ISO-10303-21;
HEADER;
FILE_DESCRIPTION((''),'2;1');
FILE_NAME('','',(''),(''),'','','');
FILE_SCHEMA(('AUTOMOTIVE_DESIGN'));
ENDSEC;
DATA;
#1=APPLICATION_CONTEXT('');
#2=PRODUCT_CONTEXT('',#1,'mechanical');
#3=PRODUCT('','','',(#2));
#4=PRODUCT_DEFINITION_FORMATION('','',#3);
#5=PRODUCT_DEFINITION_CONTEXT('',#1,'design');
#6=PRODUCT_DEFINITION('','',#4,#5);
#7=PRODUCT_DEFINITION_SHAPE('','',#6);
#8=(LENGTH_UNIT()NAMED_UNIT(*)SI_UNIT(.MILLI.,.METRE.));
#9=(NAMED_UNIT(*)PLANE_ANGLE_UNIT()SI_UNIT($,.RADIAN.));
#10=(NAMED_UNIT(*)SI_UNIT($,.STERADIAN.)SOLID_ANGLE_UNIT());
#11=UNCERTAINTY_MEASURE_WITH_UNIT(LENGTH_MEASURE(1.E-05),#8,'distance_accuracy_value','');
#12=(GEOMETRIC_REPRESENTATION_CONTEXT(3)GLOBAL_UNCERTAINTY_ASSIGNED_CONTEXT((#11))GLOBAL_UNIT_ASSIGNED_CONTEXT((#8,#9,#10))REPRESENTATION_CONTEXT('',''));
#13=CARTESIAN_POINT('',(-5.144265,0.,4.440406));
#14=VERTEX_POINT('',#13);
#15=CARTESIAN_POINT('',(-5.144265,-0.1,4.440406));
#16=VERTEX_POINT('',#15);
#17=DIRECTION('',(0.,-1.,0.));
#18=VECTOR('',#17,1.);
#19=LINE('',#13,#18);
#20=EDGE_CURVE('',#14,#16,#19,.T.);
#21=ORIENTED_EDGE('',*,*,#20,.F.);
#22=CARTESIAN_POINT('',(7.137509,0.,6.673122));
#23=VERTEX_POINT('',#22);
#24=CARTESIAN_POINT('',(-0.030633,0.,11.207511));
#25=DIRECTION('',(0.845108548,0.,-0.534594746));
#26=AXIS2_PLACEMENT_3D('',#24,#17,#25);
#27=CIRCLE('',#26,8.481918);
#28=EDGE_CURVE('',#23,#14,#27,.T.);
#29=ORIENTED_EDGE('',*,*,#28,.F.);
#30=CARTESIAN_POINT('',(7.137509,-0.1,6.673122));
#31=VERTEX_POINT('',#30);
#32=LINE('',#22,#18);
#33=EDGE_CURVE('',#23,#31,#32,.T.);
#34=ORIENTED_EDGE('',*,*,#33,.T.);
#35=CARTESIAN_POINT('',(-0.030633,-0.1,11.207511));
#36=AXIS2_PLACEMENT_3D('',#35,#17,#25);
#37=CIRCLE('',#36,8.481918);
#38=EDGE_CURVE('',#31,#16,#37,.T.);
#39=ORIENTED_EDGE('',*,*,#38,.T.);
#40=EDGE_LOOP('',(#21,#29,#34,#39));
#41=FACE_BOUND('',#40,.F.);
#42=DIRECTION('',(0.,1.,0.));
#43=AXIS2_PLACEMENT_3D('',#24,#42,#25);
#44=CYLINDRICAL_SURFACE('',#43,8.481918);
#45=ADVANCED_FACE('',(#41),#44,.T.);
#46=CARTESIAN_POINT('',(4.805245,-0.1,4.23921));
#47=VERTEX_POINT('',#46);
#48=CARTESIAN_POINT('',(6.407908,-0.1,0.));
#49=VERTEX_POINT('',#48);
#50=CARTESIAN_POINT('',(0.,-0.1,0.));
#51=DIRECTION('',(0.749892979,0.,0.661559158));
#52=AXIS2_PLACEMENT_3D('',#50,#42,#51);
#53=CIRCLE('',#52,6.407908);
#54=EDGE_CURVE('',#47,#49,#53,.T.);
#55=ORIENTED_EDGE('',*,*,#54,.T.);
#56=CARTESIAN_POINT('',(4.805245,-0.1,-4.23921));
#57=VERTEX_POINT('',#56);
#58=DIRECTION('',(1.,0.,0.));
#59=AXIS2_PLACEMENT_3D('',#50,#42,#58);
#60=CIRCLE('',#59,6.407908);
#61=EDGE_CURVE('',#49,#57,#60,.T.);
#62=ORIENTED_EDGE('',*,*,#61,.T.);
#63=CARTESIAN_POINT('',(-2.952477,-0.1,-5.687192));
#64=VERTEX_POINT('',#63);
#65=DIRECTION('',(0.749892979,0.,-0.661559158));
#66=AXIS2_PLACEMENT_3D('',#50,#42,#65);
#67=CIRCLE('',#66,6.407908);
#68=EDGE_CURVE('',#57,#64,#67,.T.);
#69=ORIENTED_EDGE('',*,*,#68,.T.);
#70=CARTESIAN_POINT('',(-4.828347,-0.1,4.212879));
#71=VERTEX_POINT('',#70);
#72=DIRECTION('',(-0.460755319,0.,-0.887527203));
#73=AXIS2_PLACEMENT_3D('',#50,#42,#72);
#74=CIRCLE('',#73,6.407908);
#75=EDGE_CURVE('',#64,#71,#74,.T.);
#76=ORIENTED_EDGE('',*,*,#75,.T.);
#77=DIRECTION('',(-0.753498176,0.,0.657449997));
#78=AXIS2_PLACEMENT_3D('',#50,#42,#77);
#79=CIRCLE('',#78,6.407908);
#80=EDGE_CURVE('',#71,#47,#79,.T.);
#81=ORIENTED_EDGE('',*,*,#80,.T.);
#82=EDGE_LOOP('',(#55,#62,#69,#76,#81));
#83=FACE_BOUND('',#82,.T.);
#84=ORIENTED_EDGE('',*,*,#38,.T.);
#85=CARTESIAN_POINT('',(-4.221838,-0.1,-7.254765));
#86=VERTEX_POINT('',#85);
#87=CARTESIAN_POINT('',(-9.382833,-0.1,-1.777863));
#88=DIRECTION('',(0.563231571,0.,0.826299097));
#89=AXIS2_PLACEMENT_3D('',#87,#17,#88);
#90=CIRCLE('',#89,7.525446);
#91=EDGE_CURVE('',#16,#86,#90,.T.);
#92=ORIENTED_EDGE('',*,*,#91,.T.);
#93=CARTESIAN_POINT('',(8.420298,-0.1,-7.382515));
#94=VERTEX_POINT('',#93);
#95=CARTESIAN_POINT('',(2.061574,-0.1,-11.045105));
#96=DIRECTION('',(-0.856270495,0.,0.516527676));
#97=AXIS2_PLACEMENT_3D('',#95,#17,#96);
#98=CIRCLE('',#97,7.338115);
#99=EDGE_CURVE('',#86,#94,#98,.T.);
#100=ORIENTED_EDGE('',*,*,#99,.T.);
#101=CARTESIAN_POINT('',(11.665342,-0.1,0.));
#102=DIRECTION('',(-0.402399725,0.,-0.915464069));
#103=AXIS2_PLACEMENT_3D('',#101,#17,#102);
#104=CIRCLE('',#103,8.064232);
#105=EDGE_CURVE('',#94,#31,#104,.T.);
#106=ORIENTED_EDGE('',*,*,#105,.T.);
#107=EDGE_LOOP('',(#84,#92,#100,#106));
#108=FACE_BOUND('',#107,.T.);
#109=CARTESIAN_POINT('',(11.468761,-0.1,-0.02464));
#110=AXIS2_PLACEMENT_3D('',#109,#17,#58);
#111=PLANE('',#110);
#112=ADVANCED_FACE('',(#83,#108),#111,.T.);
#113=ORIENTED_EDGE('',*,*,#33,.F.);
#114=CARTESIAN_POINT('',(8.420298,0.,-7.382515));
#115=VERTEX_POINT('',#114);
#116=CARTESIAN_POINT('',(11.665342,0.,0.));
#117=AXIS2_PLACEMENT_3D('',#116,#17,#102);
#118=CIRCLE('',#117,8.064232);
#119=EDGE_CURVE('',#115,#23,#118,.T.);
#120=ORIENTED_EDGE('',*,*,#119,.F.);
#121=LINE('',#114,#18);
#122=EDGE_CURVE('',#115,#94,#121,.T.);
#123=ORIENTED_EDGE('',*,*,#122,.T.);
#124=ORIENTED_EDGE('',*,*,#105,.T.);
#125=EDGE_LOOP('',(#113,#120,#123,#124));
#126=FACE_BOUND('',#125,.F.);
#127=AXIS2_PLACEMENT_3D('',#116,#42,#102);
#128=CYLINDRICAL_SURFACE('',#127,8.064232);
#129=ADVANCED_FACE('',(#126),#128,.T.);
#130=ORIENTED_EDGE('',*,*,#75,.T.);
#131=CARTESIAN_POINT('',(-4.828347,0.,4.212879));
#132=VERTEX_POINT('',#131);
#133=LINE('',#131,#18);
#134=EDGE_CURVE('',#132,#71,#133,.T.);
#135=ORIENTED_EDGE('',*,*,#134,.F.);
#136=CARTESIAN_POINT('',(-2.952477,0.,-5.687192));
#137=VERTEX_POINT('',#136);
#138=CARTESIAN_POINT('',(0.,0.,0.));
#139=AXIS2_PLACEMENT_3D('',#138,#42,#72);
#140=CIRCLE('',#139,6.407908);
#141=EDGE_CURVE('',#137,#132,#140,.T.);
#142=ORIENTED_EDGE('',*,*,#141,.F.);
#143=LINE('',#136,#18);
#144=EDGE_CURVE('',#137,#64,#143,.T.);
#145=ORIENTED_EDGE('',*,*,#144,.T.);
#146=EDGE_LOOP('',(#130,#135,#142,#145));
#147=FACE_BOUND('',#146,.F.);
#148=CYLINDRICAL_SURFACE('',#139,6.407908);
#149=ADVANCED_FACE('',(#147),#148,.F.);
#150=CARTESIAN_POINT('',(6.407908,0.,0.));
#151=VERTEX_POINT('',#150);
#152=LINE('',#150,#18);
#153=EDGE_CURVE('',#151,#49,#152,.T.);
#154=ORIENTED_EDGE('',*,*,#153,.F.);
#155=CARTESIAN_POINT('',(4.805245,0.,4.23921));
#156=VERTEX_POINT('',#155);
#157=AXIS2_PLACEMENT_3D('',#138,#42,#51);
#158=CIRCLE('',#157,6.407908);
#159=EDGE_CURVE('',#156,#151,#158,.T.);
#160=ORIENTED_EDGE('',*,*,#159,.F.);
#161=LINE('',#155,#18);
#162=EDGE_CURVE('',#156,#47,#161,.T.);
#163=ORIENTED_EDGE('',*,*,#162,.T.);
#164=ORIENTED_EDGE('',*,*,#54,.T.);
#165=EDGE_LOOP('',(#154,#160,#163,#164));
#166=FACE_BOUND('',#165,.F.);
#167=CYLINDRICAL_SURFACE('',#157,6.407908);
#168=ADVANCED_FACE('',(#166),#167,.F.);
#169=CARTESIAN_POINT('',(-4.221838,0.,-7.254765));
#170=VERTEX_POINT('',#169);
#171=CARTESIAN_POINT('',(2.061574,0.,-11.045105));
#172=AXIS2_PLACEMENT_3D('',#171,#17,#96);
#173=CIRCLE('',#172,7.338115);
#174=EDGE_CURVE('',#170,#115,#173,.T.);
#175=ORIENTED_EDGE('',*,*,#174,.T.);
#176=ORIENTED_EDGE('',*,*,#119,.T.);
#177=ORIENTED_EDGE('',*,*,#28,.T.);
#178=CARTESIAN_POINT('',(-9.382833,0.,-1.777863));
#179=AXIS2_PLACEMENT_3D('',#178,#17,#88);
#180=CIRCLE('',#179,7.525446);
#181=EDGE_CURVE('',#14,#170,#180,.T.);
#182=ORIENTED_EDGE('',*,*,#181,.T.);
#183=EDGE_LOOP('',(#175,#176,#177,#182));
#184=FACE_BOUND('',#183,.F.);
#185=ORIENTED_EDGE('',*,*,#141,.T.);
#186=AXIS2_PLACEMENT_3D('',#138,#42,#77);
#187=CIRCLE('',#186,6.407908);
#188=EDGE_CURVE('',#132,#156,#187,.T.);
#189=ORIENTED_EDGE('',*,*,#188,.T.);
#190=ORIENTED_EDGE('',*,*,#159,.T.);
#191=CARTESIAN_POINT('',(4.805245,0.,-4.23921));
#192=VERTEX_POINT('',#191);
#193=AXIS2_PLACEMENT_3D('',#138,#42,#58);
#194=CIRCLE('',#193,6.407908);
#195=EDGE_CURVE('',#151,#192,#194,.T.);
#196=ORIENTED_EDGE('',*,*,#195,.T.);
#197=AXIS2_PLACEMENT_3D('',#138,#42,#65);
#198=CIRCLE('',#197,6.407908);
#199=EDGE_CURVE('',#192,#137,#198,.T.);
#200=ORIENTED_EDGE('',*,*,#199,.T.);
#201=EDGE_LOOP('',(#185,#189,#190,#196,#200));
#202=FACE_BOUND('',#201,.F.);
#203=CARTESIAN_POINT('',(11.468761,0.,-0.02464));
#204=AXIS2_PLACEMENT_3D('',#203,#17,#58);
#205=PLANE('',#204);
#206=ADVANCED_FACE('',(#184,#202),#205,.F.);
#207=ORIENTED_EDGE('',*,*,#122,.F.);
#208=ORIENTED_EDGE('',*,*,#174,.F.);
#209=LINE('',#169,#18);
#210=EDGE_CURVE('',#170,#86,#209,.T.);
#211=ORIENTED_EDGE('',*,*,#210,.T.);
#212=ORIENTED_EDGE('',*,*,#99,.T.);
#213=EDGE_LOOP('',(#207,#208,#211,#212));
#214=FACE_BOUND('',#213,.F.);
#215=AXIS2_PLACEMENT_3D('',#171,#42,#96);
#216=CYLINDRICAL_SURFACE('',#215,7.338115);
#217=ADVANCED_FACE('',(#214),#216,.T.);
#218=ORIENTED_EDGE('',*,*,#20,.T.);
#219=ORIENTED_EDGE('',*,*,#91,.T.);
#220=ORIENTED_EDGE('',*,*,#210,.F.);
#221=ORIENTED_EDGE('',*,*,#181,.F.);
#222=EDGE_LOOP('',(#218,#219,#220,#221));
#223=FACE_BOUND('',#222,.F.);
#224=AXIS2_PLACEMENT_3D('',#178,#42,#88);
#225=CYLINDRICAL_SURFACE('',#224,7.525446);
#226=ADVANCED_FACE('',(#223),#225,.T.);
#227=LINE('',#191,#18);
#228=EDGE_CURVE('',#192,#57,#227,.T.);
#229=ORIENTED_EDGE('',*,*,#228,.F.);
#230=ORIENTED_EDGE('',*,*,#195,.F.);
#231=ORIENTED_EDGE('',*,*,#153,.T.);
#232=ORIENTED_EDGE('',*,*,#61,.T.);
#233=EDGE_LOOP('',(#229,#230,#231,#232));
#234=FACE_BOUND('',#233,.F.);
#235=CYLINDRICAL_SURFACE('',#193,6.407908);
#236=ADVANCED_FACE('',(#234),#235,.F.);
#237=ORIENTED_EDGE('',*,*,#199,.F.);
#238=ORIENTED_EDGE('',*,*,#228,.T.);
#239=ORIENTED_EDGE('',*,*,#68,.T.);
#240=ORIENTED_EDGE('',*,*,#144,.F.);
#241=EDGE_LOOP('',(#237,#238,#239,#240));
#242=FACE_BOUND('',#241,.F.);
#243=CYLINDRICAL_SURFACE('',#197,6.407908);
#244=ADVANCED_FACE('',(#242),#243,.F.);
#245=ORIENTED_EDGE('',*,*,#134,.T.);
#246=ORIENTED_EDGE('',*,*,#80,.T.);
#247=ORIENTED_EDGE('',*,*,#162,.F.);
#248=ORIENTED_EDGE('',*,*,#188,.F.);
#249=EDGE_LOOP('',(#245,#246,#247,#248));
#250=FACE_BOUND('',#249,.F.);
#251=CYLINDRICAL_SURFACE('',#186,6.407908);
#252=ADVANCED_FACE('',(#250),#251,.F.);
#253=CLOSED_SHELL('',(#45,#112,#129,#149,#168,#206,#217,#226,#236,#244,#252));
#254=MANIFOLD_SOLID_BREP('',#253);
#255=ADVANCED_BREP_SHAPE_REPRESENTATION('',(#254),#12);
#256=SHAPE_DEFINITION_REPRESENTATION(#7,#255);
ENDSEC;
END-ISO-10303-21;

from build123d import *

# Parameters (mm, degrees)
F1_DEPTH = 0.1


with BuildPart() as f1:
    # F0 (on Front) → F1 (new body)
    with BuildSketch(Plane.XZ):
        with BuildLine():
            ThreePointArc((4.8052448645, 4.2392099088), (5.9938653468, 2.2660223), (6.4079075258, 0))
            ThreePointArc((6.4079075258, 0), (5.9938653468, -2.2660223), (4.8052448645, -4.2392099088))
            ThreePointArc((4.8052448645, -4.2392099088), (6.8764974545, -5.5075560727), (8.4202976896, -7.38251477))
            ThreePointArc((8.4202976896, -7.38251477), (19.6961982172, 0.7329368237), (7.1375086194, 6.6731222471))
            ThreePointArc((7.1375086194, 6.6731222471), (6.0935080211, 5.3391354228), (4.8052448645, 4.2392099088))
        make_face()
        with BuildLine():
            ThreePointArc((7.1375086194, 6.6731222471), (5.8427804889, 5.5793917075), (4.8052448645, 4.2392099088))
            ThreePointArc((4.8052448645, 4.2392099088), (6.0935080211, 5.3391354228), (7.1375086194, 6.6731222471))
        make_face()
        with BuildLine():
            ThreePointArc((-4.8283466328, 4.2128787845), (-0.0175144213, 6.4078835901), (4.8052448645, 4.2392099088))
            ThreePointArc((4.8052448645, 4.2392099088), (5.8427804889, 5.5793917075), (7.1375086194, 6.6731222471))
            ThreePointArc((7.1375086194, 6.6731222471), (-1.5477052479, 19.5526553507), (-5.1442647229, 4.4404062517))
            ThreePointArc((-5.1442647229, 4.4404062517), (-4.9848340595, 4.3286858356), (-4.8283466328, 4.2128787845))
        make_face()
        with BuildLine():
            ThreePointArc((8.4202976896, -7.38251477), (6.3739752542, -6.0854969279), (4.8052448645, -4.2392099088))
            ThreePointArc((4.8052448645, -4.2392099088), (1.1757337965, -6.2991212799), (-2.9524774752, -5.6871922438))
            ThreePointArc((-2.9524774752, -5.6871922438), (-3.534399564, -6.5137001688), (-4.2218378667, -7.2547651103))
            ThreePointArc((-4.2218378667, -7.2547651103), (1.9874253454, -18.3828453768), (8.4202976896, -7.38251477))
        make_face()
        with BuildLine():
            ThreePointArc((8.4202976896, -7.38251477), (6.8764974545, -5.5075560727), (4.8052448645, -4.2392099088))
            ThreePointArc((4.8052448645, -4.2392099088), (6.3739752542, -6.0854969279), (8.4202976896, -7.38251477))
        make_face()
        with BuildLine():
            ThreePointArc((-2.9524774752, -5.6871922438), (-6.2958841747, -1.1929464859), (-4.8283466328, 4.2128787845))
            ThreePointArc((-4.8283466328, 4.2128787845), (-4.9876113011, 4.324829682), (-5.1442647229, 4.4404062517))
            ThreePointArc((-5.1442647229, 4.4404062517), (-16.8849803616, -2.3695755088), (-4.2218378667, -7.2547651103))
            ThreePointArc((-4.2218378667, -7.2547651103), (-3.6412753486, -6.427156257), (-2.9524774752, -5.6871922438))
        make_face()
        with BuildLine():
            ThreePointArc((-5.1442647229, 4.4404062517), (-4.9876113011, 4.324829682), (-4.8283466328, 4.2128787845))
            ThreePointArc((-4.8283466328, 4.2128787845), (-4.9848340595, 4.3286858356), (-5.1442647229, 4.4404062517))
        make_face()
        with BuildLine():
            ThreePointArc((-4.2218378667, -7.2547651103), (-3.534399564, -6.5137001688), (-2.9524774752, -5.6871922438))
            ThreePointArc((-2.9524774752, -5.6871922438), (-3.6412753486, -6.427156257), (-4.2218378667, -7.2547651103))
        make_face()
    extrude(amount=F1_DEPTH)


solid = f1.part
